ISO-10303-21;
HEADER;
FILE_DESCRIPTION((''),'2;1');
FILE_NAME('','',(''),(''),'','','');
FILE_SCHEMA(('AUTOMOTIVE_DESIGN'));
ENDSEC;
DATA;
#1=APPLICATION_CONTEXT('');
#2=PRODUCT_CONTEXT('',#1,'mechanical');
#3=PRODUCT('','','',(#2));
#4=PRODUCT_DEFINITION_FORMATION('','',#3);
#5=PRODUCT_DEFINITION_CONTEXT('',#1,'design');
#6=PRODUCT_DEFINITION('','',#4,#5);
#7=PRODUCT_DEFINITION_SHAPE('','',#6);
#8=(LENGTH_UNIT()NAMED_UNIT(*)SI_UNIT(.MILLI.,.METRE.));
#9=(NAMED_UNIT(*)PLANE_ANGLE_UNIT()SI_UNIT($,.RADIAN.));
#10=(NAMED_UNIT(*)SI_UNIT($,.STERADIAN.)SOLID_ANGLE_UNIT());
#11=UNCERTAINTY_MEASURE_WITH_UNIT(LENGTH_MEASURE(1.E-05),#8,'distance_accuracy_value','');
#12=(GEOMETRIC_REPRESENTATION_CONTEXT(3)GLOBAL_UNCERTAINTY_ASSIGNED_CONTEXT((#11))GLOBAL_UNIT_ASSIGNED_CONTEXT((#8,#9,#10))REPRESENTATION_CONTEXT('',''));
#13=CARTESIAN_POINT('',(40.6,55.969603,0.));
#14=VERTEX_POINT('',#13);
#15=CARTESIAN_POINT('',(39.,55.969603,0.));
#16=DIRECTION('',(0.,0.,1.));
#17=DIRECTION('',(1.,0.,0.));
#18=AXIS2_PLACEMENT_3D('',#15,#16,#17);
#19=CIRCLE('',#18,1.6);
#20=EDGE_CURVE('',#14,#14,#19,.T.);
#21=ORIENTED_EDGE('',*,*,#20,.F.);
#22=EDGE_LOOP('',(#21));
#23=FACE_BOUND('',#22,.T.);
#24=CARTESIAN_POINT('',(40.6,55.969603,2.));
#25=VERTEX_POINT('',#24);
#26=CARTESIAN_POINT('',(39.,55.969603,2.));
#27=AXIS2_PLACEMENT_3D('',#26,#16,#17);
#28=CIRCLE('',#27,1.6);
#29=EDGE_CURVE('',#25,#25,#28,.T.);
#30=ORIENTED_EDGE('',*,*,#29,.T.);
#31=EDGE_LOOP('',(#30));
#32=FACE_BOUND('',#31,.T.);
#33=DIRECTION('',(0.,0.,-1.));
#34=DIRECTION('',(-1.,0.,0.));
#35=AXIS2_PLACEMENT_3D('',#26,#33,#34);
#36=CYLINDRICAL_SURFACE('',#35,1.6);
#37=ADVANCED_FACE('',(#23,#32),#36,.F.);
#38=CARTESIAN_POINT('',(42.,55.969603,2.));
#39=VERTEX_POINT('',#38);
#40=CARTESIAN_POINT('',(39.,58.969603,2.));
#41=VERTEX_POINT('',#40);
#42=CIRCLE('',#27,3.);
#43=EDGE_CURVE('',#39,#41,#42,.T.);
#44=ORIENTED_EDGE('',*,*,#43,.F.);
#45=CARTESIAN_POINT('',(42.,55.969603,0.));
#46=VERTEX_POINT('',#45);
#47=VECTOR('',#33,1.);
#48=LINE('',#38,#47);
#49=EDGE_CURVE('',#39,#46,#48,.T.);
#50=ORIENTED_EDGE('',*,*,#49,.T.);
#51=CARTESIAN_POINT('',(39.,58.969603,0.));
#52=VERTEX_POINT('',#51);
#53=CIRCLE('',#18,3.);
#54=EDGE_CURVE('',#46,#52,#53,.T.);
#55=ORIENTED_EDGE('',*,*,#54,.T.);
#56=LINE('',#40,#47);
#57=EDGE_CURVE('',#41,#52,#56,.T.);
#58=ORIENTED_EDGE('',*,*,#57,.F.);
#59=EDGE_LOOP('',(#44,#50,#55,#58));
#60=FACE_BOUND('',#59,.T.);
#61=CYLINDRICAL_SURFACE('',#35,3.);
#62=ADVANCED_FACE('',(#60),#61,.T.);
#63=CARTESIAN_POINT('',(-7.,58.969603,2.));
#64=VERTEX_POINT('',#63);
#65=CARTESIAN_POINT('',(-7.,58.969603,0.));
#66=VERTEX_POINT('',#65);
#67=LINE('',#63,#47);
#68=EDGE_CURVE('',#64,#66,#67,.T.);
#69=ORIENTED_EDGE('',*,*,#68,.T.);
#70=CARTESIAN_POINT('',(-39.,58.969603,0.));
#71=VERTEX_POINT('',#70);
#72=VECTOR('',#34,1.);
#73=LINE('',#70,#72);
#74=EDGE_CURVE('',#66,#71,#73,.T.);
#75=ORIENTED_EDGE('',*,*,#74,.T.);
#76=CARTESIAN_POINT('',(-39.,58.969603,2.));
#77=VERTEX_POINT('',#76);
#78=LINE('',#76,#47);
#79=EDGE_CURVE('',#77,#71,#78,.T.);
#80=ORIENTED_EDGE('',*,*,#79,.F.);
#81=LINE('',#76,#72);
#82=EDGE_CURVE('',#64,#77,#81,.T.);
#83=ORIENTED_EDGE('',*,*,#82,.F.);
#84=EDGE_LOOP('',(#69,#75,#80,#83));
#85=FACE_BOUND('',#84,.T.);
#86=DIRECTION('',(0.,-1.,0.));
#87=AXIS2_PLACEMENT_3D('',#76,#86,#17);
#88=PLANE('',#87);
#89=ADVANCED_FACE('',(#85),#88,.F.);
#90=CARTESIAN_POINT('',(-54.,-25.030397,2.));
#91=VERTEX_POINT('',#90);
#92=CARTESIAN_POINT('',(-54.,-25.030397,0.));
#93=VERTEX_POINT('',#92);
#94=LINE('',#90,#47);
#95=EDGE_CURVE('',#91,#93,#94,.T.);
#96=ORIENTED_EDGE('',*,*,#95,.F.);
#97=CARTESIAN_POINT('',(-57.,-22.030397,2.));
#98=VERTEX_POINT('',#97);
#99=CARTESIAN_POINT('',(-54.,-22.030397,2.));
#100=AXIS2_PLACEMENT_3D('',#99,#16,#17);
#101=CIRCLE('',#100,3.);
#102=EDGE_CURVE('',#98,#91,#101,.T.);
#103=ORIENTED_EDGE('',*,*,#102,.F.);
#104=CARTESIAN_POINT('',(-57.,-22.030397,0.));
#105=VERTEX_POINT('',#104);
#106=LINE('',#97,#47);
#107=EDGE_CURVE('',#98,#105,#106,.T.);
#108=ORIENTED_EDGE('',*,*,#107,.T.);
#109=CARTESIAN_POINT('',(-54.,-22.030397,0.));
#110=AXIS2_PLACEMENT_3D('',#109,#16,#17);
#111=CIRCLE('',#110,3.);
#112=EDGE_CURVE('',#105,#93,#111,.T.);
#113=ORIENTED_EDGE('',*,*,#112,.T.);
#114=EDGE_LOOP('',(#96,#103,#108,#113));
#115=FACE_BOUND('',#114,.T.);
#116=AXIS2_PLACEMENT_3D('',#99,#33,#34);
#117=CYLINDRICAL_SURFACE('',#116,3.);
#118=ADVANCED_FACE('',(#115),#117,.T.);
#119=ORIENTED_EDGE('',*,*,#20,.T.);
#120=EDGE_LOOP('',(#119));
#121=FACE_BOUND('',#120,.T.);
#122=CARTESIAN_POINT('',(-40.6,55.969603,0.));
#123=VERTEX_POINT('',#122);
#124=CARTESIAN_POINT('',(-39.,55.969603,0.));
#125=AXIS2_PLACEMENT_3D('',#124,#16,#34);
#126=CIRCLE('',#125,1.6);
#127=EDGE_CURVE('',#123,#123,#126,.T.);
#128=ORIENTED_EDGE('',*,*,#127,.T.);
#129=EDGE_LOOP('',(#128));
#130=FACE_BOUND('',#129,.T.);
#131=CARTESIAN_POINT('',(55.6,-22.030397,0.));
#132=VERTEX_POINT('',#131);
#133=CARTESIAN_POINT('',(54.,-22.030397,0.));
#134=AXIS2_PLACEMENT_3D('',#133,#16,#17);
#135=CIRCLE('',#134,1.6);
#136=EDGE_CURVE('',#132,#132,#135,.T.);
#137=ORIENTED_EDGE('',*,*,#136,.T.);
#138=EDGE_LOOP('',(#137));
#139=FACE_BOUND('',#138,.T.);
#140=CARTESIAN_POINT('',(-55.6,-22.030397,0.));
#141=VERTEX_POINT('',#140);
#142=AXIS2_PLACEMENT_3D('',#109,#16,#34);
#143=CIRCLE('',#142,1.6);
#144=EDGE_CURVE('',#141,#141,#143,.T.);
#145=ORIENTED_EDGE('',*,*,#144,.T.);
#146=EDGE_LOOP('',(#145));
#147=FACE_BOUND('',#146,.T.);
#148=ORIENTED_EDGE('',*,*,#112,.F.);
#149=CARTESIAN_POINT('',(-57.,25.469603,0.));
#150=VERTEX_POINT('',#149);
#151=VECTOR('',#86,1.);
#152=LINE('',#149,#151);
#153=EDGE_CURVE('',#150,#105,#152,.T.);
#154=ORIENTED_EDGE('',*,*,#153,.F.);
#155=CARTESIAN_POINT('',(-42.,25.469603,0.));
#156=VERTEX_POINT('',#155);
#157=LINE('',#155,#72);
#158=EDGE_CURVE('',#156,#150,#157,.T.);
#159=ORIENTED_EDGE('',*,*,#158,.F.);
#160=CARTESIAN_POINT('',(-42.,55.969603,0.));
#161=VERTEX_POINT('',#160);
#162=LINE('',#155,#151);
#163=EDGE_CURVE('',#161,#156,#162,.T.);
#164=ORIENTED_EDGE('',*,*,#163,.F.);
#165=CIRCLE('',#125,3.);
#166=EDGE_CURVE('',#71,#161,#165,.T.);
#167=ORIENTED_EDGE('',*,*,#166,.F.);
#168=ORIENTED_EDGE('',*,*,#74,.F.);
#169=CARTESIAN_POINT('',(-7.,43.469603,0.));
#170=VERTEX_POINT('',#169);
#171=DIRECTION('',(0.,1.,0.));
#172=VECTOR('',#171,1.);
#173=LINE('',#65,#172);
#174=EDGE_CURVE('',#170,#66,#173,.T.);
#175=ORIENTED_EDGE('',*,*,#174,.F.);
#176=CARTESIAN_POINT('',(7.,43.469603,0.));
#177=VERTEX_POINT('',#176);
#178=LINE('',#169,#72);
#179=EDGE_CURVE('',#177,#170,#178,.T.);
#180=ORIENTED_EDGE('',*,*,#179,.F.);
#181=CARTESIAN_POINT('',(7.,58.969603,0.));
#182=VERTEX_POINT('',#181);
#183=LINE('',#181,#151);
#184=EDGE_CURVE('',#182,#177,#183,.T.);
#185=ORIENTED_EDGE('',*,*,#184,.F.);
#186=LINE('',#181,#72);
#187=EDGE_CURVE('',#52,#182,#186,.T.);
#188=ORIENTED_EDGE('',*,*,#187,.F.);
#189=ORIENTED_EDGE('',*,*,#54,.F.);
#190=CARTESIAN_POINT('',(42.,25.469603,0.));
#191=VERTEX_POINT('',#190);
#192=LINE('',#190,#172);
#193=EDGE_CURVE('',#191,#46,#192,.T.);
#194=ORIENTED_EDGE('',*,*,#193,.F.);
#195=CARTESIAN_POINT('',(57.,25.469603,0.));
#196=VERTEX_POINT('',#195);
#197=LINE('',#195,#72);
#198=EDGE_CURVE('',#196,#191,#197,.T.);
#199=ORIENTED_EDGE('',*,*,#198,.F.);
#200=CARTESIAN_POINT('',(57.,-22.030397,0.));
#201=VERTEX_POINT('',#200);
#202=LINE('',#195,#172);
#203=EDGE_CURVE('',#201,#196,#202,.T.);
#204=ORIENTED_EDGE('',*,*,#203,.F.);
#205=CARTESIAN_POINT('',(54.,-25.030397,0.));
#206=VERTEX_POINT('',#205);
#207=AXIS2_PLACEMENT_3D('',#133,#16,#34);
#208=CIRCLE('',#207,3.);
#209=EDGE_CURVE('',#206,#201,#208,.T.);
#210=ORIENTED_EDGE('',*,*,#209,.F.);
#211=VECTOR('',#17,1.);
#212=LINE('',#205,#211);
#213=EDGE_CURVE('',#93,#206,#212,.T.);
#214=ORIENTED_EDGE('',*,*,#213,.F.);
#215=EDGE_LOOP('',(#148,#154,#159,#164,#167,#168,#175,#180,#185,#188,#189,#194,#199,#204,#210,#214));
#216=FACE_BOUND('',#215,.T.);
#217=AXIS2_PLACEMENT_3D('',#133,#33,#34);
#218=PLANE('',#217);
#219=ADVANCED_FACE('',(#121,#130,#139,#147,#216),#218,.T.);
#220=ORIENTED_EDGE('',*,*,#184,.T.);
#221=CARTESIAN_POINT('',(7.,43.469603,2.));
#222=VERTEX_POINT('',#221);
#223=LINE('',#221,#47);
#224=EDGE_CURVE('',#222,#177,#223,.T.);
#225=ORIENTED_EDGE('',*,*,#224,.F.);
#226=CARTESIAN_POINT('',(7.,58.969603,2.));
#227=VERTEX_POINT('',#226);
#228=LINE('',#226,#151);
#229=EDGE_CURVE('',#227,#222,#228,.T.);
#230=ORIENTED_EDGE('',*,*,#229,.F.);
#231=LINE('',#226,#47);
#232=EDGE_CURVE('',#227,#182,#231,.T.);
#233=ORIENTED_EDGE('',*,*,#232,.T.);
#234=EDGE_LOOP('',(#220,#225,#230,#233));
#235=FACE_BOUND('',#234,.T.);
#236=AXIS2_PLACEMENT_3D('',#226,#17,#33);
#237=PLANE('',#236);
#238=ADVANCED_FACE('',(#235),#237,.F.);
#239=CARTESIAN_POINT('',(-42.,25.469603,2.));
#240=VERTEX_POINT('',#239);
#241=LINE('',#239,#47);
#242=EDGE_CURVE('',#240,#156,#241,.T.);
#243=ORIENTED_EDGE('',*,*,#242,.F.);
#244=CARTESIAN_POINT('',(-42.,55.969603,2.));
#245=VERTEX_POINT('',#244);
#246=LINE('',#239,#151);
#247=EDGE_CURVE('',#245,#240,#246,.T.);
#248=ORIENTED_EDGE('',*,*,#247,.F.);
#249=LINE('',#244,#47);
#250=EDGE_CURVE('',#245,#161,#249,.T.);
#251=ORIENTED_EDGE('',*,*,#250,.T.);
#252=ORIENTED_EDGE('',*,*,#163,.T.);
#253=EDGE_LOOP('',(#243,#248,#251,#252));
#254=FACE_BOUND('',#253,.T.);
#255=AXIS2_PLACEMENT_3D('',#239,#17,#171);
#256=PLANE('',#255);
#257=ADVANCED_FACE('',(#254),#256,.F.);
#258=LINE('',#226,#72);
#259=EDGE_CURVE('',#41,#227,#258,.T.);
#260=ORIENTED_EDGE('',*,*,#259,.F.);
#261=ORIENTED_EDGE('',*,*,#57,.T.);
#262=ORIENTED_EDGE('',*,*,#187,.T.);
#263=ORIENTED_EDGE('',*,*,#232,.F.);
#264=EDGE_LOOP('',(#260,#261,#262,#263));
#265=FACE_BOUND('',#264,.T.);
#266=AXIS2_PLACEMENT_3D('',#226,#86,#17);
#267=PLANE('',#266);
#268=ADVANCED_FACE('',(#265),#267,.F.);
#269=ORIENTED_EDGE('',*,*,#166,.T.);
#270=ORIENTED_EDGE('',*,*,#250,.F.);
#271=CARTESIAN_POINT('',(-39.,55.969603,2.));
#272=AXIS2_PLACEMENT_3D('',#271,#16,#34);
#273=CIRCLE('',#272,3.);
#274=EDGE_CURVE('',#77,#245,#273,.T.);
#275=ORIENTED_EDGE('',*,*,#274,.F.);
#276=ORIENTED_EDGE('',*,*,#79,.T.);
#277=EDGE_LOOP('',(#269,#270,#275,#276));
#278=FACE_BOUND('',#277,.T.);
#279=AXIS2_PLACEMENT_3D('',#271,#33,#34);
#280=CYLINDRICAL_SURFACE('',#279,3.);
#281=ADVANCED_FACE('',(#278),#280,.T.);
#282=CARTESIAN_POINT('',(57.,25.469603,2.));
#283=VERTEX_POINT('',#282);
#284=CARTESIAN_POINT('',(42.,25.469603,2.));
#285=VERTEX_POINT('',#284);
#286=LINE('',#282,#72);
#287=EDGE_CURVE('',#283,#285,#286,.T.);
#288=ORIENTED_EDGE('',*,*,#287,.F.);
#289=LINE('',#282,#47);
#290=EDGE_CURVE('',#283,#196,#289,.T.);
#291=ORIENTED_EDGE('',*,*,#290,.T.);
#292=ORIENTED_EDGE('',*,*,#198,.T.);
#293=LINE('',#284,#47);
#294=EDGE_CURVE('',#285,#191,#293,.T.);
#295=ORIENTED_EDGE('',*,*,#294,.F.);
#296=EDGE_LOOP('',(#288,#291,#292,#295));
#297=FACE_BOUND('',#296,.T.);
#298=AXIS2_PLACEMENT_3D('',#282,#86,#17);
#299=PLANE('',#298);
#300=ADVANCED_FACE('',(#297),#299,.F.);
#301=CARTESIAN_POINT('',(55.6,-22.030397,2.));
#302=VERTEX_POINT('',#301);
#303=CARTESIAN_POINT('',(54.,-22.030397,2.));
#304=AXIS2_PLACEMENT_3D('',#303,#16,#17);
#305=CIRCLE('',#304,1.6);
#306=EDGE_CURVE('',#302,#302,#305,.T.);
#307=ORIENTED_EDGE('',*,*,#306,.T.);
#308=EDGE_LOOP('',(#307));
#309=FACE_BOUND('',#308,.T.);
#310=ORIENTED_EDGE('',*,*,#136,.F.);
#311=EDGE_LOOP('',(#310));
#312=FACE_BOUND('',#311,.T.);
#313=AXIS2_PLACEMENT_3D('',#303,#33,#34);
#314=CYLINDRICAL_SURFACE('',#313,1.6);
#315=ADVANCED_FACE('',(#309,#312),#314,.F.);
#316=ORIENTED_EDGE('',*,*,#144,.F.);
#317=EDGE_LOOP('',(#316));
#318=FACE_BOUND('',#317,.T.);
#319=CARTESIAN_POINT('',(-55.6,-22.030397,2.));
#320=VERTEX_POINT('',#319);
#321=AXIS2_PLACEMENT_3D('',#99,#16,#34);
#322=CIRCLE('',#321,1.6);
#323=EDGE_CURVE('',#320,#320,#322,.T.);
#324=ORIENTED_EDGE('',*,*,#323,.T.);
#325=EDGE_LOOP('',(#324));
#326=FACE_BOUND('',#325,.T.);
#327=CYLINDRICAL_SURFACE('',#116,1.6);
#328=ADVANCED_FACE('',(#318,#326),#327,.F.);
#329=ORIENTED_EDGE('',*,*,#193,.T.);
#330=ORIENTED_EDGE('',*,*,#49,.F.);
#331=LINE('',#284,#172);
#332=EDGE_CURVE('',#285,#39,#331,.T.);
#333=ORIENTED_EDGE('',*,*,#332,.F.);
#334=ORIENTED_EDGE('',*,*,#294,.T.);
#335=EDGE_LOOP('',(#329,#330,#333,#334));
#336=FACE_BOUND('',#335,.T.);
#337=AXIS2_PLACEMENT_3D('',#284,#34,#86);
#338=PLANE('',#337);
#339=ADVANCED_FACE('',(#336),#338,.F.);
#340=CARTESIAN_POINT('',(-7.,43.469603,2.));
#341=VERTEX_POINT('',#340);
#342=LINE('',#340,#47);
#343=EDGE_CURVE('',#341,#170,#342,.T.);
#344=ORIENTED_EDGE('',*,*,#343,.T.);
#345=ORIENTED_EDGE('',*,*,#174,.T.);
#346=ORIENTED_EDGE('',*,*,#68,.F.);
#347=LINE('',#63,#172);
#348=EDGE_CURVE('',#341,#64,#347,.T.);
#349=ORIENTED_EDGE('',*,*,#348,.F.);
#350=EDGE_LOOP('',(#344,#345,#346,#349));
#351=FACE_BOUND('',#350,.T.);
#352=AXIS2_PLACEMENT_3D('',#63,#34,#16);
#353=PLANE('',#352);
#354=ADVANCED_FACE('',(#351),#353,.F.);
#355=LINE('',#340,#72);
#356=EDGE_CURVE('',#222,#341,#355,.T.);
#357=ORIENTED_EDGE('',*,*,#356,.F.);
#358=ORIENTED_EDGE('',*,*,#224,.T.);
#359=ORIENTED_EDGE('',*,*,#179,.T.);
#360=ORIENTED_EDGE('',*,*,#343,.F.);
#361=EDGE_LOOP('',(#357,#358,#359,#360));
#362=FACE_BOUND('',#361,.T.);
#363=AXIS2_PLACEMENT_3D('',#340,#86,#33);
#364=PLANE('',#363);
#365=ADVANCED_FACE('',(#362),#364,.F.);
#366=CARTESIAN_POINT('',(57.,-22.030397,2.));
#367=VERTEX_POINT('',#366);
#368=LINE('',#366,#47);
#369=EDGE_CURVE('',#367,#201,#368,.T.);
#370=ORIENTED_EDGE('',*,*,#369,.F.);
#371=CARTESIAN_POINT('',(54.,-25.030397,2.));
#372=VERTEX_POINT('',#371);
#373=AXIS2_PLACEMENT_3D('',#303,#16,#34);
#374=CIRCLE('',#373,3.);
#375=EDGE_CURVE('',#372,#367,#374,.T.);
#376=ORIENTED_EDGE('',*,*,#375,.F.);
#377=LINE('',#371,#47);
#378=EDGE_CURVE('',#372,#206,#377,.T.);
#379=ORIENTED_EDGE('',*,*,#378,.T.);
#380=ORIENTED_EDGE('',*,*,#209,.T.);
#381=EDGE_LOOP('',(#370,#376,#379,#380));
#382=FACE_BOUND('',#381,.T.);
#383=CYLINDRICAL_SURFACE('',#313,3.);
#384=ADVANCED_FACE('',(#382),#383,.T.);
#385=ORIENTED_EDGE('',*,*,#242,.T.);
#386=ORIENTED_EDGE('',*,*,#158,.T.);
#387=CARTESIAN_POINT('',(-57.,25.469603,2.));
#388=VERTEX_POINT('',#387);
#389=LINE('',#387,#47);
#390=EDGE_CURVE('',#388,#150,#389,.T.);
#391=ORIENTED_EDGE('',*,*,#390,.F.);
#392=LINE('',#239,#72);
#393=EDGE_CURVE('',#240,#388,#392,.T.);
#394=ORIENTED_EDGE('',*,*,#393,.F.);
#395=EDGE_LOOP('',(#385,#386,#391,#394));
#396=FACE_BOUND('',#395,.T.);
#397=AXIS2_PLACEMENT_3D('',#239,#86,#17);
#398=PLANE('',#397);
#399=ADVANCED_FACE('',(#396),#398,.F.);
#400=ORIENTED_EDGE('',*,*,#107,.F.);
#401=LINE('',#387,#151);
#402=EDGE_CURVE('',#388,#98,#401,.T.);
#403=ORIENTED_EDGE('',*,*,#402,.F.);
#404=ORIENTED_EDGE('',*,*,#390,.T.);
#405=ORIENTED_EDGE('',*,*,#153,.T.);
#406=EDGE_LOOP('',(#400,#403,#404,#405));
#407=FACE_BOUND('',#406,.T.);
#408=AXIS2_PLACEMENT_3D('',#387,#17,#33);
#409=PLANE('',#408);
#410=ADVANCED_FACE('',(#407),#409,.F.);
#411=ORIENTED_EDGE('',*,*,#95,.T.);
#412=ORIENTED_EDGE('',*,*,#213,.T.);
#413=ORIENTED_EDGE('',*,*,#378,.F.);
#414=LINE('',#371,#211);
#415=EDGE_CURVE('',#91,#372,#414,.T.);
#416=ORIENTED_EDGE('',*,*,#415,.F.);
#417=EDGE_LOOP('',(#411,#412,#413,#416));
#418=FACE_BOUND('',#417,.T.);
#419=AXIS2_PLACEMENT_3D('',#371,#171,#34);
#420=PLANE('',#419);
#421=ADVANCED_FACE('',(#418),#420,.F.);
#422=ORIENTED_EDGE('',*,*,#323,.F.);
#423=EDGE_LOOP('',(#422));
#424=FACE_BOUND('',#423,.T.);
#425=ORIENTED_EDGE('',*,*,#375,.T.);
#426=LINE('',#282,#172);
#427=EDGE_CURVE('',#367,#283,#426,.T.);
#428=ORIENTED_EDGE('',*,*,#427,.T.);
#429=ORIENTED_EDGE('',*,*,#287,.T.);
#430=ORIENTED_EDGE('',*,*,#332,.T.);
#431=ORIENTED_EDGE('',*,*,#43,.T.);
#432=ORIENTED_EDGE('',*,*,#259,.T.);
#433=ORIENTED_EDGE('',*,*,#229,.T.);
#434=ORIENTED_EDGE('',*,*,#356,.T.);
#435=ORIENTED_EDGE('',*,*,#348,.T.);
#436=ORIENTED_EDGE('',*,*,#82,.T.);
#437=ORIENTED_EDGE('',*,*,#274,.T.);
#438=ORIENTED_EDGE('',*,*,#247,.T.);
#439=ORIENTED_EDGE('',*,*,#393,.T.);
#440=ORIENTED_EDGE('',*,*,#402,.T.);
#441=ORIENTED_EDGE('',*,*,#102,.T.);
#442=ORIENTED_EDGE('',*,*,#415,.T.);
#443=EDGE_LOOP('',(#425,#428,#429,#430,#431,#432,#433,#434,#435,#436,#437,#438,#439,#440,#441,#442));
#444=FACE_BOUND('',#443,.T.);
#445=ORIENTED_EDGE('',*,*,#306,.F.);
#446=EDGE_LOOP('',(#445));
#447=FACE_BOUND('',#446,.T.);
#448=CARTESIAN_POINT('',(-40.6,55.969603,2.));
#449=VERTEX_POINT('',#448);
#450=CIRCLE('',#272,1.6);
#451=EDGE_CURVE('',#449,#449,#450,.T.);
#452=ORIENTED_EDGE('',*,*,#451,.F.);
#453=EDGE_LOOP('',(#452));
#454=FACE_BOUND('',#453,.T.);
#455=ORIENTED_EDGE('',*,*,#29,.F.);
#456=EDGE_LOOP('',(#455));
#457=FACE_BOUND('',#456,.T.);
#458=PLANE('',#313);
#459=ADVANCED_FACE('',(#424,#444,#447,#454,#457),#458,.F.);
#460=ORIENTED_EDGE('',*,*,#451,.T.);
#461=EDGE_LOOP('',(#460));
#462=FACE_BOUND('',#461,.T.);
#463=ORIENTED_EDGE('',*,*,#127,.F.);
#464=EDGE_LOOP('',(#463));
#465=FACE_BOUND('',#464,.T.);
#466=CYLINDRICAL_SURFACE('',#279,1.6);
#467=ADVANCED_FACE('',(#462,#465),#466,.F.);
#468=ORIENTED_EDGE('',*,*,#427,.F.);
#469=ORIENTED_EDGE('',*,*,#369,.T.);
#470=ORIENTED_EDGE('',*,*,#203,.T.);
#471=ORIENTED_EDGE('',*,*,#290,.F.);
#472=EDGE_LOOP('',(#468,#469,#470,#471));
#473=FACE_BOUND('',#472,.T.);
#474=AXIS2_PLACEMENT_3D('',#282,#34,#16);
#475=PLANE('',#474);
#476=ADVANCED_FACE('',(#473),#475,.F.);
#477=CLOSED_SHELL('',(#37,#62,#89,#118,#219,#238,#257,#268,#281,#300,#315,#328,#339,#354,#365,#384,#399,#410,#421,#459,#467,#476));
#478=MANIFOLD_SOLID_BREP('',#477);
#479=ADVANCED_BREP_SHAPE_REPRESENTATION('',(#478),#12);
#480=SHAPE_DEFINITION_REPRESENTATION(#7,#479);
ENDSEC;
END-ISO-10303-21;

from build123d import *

# Parameters (mm, degrees)
SKETCH1_R           = 1.6
BOSS_EXTRUDE1_DEPTH = 2


with BuildPart() as part:
    # Sketch1 → Boss-Extrude1 (new body)
    with BuildSketch(Plane.XY):
        with BuildLine():
            Line((-42, 25.469603275), (-57, 25.469603275))
            Line((-57, 25.469603275), (-57, -22.030396725))
            ThreePointArc((-57, -22.030396725), (-56.121320344, -24.151717068), (-54, -25.030396725))
            Line((-54, -25.030396725), (54, -25.030396725))
            ThreePointArc((54, -25.030396725), (56.121320344, -24.151717068), (57, -22.030396725))
            Line((57, -22.030396725), (57, 25.469603275))
            Line((57, 25.469603275), (42, 25.469603275))
            Line((42, 25.469603275), (42, 55.969603275))
            ThreePointArc((42, 55.969603275), (41.121320344, 58.090923619), (39, 58.969603275))
            Line((39, 58.969603275), (7, 58.969603275))
            Line((7, 58.969603275), (7, 43.469603275))
            Line((7, 43.469603275), (-7, 43.469603275))
            Line((-7, 43.469603275), (-7, 58.969603275))
            Line((-7, 58.969603275), (-39, 58.969603275))
            ThreePointArc((-39, 58.969603275), (-41.121320344, 58.090923619), (-42, 55.969603275))
            Line((-42, 55.969603275), (-42, 25.469603275))
        make_face()
        with Locations((54, -22.030396725)):
            Circle(SKETCH1_R, mode=Mode.SUBTRACT)
        with Locations(Location((-54, -22.030396725, 0), (0, 0, 180))):
            Circle(SKETCH1_R, mode=Mode.SUBTRACT)
        with Locations((39, 55.969603275)):
            Circle(SKETCH1_R, mode=Mode.SUBTRACT)
        with Locations(Location((-39, 55.969603275, 0), (0, 0, 180))):
            Circle(SKETCH1_R, mode=Mode.SUBTRACT)
    extrude(amount=BOSS_EXTRUDE1_DEPTH)


solid = part.part
